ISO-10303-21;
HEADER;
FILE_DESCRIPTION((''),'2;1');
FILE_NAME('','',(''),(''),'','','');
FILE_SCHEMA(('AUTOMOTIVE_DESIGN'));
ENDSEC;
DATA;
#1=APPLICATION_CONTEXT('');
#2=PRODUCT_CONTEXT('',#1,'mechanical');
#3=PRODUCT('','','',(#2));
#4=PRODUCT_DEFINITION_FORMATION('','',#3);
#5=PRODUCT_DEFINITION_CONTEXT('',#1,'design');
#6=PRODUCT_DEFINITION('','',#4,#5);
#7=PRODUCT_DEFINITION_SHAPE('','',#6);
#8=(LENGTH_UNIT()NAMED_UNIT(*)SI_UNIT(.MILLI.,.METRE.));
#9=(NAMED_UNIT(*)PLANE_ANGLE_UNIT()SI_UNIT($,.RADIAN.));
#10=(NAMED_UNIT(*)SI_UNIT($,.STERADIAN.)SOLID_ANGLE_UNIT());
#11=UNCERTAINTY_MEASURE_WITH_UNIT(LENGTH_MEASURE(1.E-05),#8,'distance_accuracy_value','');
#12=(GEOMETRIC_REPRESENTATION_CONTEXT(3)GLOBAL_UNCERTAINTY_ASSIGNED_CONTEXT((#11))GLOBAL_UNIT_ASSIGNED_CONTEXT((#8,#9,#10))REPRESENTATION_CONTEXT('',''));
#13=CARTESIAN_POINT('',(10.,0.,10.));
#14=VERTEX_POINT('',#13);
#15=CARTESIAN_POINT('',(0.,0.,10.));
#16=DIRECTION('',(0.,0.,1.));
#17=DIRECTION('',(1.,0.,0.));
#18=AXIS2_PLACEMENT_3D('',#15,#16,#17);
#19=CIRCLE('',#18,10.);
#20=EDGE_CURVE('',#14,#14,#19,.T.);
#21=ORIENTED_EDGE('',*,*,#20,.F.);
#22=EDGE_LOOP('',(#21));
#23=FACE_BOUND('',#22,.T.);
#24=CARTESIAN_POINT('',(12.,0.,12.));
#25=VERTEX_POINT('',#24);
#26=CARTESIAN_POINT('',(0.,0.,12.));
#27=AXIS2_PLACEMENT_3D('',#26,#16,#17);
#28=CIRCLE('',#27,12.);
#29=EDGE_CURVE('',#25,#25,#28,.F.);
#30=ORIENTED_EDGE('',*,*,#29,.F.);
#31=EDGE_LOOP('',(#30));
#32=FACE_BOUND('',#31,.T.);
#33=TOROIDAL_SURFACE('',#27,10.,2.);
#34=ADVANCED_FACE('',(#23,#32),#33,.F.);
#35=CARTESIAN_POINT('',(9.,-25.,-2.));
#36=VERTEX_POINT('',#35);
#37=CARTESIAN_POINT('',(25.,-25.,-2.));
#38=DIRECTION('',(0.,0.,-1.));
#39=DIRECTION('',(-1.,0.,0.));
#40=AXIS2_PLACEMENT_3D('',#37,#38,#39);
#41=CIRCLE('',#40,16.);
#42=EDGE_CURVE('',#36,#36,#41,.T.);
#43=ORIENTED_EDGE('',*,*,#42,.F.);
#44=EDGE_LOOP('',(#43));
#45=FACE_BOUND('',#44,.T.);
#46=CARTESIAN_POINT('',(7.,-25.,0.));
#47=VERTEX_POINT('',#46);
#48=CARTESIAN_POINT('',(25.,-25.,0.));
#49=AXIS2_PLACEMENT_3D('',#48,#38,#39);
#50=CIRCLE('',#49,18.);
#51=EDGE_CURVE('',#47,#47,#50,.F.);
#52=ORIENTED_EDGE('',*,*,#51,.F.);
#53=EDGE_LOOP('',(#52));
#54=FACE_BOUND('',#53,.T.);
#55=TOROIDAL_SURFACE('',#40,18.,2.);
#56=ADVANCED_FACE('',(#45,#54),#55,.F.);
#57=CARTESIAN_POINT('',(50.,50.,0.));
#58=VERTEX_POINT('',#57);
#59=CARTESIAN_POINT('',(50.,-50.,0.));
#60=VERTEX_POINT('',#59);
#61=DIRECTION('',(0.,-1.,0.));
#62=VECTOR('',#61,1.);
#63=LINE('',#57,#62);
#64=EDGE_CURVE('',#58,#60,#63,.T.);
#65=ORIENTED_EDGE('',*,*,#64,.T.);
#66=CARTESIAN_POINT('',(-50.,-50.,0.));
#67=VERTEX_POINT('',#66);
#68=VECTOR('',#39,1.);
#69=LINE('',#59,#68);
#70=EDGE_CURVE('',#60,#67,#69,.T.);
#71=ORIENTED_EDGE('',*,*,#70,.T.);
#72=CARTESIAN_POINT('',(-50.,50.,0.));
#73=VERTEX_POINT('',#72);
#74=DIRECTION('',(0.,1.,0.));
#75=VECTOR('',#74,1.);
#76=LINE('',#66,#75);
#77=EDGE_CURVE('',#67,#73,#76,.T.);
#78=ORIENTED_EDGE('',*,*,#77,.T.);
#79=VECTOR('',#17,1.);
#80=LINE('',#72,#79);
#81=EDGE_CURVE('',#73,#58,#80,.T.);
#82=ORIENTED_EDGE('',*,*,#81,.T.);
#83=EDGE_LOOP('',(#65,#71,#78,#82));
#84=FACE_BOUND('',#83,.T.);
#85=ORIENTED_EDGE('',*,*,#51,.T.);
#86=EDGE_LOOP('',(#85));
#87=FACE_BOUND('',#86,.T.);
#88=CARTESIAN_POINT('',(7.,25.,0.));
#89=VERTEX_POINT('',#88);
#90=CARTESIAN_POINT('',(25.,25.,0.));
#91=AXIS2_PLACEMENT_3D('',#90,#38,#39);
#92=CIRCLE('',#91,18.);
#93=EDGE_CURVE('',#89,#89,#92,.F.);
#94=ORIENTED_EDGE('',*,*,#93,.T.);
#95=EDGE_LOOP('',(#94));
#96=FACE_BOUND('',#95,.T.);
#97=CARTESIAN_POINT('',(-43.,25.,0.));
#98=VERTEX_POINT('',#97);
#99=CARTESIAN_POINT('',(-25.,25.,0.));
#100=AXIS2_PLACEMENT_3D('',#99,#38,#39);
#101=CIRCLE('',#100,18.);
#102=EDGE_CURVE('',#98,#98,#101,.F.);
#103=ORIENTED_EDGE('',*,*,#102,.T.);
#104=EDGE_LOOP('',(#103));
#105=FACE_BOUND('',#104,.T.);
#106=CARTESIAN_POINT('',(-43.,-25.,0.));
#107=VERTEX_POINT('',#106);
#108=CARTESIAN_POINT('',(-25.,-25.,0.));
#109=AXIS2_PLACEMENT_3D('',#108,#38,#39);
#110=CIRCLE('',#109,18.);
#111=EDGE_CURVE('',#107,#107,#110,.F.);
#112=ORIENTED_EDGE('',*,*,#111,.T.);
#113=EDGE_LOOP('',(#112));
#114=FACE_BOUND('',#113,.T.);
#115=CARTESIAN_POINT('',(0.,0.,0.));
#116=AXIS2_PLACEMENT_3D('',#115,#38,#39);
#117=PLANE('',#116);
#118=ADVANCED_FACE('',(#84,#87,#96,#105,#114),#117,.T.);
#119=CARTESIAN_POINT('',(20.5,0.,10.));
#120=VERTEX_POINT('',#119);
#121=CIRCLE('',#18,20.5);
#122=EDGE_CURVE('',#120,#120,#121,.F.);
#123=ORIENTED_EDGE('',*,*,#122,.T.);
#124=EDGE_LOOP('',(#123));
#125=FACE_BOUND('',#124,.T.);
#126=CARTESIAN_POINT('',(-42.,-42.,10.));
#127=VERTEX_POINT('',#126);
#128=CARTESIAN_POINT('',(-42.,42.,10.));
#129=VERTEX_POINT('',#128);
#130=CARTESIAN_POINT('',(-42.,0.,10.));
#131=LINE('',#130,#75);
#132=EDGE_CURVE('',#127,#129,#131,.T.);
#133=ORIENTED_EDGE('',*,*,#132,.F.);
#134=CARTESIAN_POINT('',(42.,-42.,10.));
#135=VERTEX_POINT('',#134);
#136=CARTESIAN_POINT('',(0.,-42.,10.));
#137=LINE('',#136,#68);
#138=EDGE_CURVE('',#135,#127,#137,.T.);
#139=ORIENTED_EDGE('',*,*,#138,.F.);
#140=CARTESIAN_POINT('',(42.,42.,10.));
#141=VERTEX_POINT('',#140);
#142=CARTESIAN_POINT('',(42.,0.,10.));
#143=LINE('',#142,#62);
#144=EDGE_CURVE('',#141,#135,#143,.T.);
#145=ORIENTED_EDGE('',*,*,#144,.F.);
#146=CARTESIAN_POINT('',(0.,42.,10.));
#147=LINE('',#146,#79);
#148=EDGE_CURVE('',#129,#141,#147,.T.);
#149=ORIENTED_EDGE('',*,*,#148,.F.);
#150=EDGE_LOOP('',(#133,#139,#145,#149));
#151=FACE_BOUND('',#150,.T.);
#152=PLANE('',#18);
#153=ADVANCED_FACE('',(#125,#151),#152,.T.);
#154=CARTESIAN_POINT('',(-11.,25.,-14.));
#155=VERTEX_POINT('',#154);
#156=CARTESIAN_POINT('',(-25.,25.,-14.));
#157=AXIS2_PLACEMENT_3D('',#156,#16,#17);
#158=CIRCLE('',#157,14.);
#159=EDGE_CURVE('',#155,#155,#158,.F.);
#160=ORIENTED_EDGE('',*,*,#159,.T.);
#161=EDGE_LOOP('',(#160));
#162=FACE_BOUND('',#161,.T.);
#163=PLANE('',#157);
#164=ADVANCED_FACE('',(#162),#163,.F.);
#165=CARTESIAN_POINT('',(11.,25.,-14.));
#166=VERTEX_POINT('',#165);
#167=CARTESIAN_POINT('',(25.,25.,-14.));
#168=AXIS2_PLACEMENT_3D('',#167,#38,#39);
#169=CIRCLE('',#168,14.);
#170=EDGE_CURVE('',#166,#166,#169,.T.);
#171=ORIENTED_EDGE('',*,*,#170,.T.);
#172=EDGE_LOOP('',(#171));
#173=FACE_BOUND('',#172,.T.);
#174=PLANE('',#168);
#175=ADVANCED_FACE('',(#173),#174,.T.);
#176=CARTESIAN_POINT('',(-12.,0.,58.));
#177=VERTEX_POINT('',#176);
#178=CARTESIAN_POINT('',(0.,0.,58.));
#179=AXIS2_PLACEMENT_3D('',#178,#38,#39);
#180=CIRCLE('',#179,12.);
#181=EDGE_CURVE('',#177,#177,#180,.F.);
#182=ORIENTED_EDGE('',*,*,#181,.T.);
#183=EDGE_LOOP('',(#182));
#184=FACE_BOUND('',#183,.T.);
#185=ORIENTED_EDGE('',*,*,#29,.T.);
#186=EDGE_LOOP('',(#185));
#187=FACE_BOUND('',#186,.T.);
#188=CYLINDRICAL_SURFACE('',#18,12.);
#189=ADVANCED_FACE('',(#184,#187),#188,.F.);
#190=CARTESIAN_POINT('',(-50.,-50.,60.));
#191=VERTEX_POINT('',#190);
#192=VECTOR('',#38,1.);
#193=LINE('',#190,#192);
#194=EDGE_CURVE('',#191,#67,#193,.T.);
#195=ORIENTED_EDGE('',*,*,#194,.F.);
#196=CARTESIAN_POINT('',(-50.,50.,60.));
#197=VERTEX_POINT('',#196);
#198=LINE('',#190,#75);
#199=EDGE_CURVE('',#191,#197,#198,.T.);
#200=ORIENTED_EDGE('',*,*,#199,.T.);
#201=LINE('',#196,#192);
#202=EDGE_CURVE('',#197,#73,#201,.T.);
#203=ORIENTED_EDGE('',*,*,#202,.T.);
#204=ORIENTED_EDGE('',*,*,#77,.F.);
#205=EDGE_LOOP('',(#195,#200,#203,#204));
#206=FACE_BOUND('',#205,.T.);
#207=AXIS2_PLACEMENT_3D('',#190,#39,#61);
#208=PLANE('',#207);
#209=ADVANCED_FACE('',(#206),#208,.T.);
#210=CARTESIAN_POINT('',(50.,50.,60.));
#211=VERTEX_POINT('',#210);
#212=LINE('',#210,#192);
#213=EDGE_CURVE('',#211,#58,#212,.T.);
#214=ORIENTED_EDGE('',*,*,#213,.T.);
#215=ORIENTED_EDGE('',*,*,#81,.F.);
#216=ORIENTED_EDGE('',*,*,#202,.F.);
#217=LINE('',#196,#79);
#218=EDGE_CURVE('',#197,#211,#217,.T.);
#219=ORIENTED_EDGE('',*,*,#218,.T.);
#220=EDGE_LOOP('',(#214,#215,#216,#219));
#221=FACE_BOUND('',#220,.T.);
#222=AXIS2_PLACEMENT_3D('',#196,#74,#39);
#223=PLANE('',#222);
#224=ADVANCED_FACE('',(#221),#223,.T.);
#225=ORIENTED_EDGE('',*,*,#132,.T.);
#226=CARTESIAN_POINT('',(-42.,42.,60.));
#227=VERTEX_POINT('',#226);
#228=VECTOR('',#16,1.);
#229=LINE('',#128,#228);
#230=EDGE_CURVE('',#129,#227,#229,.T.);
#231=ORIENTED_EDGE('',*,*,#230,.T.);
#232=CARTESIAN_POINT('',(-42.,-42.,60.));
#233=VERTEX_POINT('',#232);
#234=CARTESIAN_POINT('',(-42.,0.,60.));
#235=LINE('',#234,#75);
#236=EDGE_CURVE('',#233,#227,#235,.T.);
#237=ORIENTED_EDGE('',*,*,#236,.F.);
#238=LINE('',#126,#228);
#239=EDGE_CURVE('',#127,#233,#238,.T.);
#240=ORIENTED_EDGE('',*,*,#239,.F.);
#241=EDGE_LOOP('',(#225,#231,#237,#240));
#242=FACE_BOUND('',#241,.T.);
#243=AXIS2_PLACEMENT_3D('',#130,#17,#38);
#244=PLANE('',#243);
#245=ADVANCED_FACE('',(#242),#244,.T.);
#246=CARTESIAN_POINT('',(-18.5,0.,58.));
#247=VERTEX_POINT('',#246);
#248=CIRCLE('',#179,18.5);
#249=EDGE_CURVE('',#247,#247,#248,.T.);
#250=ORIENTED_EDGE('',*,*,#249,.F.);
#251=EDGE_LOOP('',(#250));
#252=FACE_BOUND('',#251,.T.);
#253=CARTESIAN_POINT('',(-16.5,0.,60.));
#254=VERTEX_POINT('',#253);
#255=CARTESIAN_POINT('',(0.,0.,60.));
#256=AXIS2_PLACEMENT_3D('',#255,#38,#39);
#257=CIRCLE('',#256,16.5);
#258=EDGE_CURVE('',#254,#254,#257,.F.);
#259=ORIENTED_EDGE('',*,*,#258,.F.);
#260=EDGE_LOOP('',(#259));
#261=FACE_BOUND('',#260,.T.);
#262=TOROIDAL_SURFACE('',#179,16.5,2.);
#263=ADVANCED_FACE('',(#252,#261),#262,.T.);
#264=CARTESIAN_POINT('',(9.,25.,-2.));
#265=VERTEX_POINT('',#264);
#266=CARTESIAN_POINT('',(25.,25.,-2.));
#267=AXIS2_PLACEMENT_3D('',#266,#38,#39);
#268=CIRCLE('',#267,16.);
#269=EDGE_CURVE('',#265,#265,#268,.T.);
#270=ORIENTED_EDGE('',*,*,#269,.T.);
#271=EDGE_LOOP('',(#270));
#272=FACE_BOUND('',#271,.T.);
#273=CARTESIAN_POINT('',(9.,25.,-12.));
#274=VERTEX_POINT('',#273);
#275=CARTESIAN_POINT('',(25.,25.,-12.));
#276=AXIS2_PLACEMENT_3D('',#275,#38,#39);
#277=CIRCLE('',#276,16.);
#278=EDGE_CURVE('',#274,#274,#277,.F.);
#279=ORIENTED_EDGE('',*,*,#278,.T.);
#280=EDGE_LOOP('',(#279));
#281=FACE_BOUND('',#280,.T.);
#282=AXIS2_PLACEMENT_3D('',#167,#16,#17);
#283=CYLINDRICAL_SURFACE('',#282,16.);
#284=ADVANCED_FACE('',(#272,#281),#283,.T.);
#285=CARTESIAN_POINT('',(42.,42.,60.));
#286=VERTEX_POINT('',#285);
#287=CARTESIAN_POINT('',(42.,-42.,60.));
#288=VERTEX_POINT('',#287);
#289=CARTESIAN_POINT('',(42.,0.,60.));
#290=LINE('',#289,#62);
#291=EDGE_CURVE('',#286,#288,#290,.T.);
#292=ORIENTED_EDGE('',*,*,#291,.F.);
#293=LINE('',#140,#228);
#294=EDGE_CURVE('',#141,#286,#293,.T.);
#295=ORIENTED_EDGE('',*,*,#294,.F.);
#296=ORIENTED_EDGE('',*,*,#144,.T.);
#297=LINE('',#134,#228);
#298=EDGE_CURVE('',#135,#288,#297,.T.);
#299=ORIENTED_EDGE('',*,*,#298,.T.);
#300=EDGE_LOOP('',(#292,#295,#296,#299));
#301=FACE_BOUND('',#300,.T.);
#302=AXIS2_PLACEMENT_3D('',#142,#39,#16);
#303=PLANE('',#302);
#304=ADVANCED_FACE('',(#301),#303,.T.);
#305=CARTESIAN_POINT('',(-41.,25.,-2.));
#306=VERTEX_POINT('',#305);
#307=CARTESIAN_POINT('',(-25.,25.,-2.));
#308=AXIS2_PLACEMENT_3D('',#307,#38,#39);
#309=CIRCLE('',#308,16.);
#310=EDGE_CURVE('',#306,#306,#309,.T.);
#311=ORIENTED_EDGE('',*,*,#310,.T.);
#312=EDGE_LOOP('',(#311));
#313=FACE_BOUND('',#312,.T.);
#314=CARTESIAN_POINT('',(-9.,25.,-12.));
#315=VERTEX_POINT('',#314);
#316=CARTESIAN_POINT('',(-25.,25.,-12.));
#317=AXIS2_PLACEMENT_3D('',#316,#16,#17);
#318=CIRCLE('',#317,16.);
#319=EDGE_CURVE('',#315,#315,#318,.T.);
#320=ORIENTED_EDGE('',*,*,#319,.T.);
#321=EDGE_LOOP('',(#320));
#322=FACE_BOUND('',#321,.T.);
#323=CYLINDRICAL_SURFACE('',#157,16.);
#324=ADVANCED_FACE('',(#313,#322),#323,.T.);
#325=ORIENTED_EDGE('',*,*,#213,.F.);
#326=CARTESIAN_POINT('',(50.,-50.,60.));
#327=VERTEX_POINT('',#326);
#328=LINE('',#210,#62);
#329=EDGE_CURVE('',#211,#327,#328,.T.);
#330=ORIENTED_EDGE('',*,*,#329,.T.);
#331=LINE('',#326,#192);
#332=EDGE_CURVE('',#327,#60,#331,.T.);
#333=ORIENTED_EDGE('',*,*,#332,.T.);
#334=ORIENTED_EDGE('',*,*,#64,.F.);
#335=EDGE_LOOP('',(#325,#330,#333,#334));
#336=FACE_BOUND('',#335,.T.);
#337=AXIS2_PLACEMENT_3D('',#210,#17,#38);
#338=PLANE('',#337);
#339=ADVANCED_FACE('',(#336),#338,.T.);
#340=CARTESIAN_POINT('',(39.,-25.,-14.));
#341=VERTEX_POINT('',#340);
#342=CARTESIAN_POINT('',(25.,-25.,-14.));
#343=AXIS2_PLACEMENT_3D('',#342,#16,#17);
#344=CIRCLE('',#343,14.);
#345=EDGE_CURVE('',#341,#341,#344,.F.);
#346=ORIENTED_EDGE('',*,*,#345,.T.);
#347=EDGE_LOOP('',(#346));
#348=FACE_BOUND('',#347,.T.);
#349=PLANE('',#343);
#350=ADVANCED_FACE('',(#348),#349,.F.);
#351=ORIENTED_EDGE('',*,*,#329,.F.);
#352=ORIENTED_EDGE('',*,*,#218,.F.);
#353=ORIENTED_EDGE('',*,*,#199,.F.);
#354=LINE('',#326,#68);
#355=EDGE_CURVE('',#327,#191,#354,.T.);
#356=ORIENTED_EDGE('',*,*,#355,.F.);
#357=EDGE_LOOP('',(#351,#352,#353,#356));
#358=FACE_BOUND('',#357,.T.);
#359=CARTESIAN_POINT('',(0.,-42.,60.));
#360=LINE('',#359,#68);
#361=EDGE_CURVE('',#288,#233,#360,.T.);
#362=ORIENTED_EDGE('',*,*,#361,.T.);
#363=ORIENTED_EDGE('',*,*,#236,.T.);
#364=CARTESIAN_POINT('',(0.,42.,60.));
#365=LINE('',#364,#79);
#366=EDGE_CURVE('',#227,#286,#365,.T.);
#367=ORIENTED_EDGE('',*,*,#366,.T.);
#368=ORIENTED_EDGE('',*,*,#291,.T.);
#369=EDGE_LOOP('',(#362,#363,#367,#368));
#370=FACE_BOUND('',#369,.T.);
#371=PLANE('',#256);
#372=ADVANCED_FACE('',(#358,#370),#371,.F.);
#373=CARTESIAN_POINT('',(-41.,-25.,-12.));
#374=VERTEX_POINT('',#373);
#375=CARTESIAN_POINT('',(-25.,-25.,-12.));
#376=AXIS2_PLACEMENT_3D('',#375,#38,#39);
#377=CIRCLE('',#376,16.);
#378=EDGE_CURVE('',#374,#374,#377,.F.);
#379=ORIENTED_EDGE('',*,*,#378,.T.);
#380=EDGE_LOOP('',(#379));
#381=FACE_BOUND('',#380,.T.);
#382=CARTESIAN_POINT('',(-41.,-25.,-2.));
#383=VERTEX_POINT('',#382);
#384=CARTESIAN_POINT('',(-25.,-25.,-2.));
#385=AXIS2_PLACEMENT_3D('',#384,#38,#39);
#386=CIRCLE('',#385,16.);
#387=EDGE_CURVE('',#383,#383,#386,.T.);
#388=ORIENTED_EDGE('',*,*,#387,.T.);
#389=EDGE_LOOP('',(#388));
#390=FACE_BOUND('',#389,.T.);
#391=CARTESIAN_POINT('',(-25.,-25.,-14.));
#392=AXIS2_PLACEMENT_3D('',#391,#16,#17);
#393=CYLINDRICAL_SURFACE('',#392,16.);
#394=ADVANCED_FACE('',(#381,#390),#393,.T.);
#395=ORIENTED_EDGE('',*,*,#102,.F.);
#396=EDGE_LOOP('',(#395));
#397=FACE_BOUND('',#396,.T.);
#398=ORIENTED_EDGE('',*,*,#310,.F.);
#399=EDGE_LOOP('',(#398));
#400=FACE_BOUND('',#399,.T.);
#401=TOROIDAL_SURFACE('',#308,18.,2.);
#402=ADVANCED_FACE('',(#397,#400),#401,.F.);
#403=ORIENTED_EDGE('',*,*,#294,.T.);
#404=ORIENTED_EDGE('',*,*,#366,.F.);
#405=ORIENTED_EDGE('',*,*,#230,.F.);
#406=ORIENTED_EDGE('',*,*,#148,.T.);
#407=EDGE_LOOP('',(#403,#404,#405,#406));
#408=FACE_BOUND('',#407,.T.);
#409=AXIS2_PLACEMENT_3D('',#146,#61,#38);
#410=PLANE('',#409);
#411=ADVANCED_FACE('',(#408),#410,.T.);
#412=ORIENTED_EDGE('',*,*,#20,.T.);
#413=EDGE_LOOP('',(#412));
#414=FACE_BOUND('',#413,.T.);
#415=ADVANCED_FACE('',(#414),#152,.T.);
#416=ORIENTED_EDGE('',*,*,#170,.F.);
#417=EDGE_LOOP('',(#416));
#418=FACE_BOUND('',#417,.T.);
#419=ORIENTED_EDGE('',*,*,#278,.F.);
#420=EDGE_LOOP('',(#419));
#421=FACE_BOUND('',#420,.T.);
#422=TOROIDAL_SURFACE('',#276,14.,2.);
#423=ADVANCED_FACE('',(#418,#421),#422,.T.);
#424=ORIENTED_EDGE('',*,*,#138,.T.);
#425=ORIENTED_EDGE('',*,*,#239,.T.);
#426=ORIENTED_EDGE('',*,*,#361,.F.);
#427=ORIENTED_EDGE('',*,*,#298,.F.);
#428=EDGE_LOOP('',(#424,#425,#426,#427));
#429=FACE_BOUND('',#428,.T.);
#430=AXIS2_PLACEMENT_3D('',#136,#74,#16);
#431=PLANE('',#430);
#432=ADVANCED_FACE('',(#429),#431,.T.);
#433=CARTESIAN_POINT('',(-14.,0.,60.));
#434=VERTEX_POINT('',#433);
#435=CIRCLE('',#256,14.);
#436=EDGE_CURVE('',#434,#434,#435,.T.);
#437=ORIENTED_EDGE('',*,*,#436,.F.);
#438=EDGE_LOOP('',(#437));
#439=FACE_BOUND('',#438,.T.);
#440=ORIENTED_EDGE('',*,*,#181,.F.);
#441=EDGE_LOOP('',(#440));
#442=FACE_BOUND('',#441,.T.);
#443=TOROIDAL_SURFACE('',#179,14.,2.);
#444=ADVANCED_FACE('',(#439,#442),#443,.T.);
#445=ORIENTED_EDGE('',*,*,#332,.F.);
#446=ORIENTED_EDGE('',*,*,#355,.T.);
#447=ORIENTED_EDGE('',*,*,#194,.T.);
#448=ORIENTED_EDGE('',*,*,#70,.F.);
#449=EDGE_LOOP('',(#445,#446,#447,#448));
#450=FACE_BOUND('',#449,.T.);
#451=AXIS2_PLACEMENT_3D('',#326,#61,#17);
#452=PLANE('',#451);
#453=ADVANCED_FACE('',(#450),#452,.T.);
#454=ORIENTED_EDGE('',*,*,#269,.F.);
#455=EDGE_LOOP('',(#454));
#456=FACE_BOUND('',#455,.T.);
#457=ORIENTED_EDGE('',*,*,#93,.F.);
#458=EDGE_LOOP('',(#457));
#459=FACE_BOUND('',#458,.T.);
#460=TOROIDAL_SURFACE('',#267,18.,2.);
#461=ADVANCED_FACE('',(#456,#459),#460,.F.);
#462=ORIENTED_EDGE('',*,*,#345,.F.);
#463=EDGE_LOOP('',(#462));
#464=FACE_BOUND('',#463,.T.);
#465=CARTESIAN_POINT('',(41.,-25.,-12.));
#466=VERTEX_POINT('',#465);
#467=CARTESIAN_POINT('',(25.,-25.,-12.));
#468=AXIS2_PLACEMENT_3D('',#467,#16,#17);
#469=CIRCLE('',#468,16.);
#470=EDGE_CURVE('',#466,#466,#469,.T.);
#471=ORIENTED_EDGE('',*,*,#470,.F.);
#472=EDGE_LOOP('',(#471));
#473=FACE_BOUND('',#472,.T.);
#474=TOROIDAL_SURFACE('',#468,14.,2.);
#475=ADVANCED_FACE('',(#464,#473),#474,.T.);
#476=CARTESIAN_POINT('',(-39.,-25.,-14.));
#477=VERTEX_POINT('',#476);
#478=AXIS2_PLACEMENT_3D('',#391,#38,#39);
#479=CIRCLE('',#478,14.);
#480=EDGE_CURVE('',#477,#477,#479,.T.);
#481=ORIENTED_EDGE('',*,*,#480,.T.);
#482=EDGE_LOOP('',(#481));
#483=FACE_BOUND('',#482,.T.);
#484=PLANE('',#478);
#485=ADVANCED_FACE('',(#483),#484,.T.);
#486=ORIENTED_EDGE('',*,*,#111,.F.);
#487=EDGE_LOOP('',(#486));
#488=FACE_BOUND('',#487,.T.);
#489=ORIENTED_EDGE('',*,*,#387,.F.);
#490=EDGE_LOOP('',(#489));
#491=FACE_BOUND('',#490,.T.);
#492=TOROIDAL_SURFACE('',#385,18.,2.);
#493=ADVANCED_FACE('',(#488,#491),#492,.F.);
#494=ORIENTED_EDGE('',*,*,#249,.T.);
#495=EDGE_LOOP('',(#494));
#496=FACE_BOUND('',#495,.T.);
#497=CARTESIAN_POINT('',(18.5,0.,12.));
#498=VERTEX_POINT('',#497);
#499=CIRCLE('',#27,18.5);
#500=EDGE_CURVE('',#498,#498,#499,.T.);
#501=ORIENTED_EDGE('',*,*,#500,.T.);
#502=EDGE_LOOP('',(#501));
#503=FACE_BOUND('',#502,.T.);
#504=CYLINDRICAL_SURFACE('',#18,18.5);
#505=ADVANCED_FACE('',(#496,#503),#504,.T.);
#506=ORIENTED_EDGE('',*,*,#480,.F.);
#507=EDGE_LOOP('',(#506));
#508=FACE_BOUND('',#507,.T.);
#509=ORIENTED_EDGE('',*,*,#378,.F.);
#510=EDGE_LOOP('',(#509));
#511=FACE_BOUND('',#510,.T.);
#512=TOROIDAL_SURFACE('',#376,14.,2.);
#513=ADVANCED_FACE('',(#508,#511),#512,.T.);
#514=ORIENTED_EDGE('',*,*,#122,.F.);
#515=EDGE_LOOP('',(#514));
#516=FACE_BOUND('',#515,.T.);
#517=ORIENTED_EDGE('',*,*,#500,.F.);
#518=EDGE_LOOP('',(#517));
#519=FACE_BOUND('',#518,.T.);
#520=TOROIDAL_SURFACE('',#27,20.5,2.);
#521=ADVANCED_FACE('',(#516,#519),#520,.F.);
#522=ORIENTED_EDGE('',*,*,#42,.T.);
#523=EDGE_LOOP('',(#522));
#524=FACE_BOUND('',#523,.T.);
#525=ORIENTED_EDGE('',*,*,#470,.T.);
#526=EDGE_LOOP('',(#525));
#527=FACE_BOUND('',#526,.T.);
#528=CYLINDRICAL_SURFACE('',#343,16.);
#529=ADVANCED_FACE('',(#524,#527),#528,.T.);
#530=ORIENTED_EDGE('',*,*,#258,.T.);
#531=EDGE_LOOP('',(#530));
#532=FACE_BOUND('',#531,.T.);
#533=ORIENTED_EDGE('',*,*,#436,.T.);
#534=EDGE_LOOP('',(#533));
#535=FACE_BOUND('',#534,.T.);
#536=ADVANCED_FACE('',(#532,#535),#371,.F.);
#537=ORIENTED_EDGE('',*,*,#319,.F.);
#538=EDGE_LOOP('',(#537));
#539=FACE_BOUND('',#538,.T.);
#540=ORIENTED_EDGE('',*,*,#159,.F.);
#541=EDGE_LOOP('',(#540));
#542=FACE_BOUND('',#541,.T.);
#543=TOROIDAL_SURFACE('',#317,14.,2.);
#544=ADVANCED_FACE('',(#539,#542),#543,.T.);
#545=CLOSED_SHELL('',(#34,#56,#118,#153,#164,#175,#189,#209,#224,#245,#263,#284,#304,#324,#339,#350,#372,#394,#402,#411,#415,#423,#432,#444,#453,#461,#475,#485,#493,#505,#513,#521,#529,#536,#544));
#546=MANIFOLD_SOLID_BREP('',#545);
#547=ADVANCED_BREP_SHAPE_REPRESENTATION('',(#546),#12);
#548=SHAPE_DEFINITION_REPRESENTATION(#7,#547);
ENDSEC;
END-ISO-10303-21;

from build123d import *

# Parameters (mm, degrees)
ESQUISSE2_W             = 100
ESQUISSE2_H             = 100
BOSS_EXTRU_1_DEPTH      = 60
ESQUISSE3_R             = 16
BOSS_EXTRU_3_DEPTH      = 14
ESQUISSE4_W             = 84
ESQUISSE4_H             = 84
ESQUISSE4_R             = 18.5
ESQUISSE4_R_2           = 12
ENL_V_MAT_EXTRU_1_DEPTH = 50
CONG_2_R                = 2


with BuildPart() as part:
    # Esquisse2 → Boss.-Extru.1 (new body)
    with BuildSketch(Plane.XY):
        Rectangle(ESQUISSE2_W, ESQUISSE2_H)
    extrude(amount=BOSS_EXTRU_1_DEPTH)

    # Esquisse3 → Boss.-Extru.3 (add)
    with BuildSketch(Plane(origin=(0, 0, 0), x_dir=(-1, 0, 0), z_dir=(0, 0, -1))):
        with Locations((-25, 25)):
            Circle(ESQUISSE3_R)
        with Locations((-25, -25)):
            Circle(ESQUISSE3_R)
        with Locations((25, 25)):
            Circle(ESQUISSE3_R)
        with Locations((25, -25)):
            Circle(ESQUISSE3_R)
    extrude(amount=BOSS_EXTRU_3_DEPTH)

    # Esquisse4 → Enlèv. mat.-Extru.1 (cut)
    with BuildSketch(Plane.XY.offset(60)):
        Rectangle(ESQUISSE4_W, ESQUISSE4_H)
        Circle(ESQUISSE4_R, mode=Mode.SUBTRACT)
        Circle(ESQUISSE4_R_2)
    extrude(amount=-ENL_V_MAT_EXTRU_1_DEPTH, mode=Mode.SUBTRACT)

    # Congé2
    cong_2_edges = [part.edges().sort_by_distance(p)[0] for p in [
        (41, -25, 0),
        (41, -25, -14),
        (-9, 25, 0),
        (-9, 25, -14),
        (-9, -25, 0),
        (-9, -25, -14),
        (41, 25, 0),
        (41, 25, -14),
        (-12, 0, 10),
        (-12, 0, 60),
        (-18.5, 0, 60),
        (-18.5, 0, 10),
    ]]
    fillet(cong_2_edges, radius=CONG_2_R)


solid = part.part
